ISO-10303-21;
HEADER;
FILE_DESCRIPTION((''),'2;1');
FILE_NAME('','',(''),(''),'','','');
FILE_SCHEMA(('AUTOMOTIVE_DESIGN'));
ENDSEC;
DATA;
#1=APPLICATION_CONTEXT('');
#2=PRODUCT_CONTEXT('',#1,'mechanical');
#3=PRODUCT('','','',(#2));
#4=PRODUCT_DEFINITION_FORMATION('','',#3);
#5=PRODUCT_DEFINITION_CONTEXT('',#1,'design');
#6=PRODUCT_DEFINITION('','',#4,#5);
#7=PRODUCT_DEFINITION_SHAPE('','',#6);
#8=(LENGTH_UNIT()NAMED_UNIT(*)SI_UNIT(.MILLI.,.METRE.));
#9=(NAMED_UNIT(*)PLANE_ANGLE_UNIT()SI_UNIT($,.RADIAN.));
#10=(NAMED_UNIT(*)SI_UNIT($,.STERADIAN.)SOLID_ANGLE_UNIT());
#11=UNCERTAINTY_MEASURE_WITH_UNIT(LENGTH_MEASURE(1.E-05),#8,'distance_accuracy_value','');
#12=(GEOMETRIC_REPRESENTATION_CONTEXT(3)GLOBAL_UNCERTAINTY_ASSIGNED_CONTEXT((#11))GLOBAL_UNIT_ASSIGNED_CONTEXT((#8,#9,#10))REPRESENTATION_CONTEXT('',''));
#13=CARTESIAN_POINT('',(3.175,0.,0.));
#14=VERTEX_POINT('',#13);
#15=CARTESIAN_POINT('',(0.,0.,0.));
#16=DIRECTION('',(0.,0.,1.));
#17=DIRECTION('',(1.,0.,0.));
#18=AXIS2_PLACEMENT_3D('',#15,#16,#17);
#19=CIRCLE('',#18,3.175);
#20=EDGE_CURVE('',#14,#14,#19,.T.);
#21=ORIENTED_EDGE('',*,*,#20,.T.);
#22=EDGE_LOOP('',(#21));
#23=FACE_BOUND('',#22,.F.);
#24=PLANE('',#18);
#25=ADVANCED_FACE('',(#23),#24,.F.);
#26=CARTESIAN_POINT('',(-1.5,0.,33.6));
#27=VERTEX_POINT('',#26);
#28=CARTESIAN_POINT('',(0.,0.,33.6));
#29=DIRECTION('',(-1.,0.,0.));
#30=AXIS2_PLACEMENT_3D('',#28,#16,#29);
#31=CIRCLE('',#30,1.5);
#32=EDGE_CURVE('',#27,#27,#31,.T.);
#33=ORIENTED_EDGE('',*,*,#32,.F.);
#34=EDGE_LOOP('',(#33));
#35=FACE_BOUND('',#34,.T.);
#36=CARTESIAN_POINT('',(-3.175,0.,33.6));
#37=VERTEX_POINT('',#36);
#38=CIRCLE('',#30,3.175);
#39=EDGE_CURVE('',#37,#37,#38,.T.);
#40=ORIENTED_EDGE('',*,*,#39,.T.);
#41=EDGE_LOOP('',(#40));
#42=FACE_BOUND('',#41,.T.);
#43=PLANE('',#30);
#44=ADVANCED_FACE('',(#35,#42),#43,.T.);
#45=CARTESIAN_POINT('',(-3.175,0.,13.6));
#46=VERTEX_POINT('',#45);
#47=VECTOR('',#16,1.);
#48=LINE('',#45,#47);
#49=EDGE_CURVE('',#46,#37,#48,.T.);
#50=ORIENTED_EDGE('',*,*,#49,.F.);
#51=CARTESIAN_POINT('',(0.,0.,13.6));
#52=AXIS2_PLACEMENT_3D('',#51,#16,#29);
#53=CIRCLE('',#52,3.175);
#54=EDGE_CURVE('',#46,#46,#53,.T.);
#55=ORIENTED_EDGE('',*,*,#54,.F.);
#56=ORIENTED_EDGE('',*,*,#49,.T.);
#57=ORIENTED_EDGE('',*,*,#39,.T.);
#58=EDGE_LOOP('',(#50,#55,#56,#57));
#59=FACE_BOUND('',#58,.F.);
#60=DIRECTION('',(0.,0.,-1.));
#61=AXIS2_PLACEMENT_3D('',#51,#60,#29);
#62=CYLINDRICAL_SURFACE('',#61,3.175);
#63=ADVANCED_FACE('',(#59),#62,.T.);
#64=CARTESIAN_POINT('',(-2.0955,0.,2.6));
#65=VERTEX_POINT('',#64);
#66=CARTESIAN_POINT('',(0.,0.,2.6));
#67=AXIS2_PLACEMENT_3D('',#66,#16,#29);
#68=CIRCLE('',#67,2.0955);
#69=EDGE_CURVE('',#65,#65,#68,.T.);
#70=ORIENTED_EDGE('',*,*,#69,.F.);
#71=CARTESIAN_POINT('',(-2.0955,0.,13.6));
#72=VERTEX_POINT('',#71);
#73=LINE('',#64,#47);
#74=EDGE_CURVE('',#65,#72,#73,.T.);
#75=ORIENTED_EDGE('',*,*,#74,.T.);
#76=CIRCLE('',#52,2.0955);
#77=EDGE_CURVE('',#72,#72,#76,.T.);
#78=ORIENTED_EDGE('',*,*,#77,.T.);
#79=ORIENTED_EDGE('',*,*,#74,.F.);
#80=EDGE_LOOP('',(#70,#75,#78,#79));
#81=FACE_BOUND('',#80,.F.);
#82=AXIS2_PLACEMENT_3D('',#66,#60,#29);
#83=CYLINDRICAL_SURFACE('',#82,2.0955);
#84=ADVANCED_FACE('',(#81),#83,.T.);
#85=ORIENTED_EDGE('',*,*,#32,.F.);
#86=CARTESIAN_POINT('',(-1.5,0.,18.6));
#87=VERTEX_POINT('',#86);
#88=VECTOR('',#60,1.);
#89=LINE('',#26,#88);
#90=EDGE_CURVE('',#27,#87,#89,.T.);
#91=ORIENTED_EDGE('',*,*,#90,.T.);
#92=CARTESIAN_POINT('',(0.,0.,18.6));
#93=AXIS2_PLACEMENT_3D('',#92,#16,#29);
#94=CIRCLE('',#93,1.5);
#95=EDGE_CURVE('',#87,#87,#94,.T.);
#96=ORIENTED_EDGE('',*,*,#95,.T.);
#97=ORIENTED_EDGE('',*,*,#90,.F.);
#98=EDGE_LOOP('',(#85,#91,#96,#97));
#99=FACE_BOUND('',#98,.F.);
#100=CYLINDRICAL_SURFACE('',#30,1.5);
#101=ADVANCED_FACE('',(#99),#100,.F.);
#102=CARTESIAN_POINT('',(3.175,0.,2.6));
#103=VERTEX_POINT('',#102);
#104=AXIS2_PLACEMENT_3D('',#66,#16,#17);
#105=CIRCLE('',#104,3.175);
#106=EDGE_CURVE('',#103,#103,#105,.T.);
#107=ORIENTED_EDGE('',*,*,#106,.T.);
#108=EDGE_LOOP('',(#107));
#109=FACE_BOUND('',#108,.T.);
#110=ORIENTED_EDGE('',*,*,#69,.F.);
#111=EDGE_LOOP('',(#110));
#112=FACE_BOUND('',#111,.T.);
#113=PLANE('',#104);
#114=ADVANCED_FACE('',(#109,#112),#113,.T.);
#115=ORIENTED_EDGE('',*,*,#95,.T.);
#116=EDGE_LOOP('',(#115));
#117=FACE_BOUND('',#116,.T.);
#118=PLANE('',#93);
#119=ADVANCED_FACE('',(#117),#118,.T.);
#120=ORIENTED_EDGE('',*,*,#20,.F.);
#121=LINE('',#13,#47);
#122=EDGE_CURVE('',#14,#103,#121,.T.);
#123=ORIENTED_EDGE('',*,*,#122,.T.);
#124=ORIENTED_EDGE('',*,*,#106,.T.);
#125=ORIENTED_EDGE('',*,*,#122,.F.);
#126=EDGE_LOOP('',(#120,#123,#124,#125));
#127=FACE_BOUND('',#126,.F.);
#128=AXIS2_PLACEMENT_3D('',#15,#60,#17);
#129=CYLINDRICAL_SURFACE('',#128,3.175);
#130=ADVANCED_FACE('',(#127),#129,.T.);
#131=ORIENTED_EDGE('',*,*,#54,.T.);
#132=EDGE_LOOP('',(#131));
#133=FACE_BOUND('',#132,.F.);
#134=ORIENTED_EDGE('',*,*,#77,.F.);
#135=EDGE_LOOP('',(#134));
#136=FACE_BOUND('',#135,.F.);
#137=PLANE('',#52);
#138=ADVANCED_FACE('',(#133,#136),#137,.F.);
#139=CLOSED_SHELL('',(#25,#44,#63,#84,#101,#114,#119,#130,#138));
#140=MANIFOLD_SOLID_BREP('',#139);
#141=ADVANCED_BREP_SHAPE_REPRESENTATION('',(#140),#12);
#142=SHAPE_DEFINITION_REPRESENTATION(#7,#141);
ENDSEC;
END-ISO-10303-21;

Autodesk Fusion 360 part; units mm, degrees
sketch "Sketch1" plane through (0, 0, 0) normal (0, 0, 1) x (1, 0, 0)
  circle A0 centre (0, 0) radius 3.175
  dimension "d1" = 6.35
extrude "Extrude1" add sketch "Sketch1" along normal blind 2.6
sketch "Sketch2" plane through (0, 0, 2.6) normal (0, 0, 1) x (-1, 0, 0)
  circle A0 centre (0, 0) radius 3.175
  circle A1 centre (0, 0) radius 2.0955
  dimension "d4" = 4.191
extrude "Extrude2" add sketch "Sketch2" along normal blind 11 contours A1
sketch "Sketch3" plane through (0, 0, 13.6) normal (0, 0, 1) x (-1, 0, 0)
  circle A0 centre (0, 0) radius 2.0955
  circle A1 centre (0, 0) radius 3.175
  dimension "d7" = 6.35
extrude "Extrude3" add sketch "Sketch3" along normal blind 20 contours A0 | A1
sketch "Sketch4" plane through (0, 0, 33.6) normal (0, 0, 1) x (-1, 0, 0)
  circle A0 centre (0, 0) radius 3.175
  circle A1 centre (0, 0) radius 1.5
  dimension "d10" = 3
extrude "Extrude4" cut sketch "Sketch4" against normal blind 15 contours A1
